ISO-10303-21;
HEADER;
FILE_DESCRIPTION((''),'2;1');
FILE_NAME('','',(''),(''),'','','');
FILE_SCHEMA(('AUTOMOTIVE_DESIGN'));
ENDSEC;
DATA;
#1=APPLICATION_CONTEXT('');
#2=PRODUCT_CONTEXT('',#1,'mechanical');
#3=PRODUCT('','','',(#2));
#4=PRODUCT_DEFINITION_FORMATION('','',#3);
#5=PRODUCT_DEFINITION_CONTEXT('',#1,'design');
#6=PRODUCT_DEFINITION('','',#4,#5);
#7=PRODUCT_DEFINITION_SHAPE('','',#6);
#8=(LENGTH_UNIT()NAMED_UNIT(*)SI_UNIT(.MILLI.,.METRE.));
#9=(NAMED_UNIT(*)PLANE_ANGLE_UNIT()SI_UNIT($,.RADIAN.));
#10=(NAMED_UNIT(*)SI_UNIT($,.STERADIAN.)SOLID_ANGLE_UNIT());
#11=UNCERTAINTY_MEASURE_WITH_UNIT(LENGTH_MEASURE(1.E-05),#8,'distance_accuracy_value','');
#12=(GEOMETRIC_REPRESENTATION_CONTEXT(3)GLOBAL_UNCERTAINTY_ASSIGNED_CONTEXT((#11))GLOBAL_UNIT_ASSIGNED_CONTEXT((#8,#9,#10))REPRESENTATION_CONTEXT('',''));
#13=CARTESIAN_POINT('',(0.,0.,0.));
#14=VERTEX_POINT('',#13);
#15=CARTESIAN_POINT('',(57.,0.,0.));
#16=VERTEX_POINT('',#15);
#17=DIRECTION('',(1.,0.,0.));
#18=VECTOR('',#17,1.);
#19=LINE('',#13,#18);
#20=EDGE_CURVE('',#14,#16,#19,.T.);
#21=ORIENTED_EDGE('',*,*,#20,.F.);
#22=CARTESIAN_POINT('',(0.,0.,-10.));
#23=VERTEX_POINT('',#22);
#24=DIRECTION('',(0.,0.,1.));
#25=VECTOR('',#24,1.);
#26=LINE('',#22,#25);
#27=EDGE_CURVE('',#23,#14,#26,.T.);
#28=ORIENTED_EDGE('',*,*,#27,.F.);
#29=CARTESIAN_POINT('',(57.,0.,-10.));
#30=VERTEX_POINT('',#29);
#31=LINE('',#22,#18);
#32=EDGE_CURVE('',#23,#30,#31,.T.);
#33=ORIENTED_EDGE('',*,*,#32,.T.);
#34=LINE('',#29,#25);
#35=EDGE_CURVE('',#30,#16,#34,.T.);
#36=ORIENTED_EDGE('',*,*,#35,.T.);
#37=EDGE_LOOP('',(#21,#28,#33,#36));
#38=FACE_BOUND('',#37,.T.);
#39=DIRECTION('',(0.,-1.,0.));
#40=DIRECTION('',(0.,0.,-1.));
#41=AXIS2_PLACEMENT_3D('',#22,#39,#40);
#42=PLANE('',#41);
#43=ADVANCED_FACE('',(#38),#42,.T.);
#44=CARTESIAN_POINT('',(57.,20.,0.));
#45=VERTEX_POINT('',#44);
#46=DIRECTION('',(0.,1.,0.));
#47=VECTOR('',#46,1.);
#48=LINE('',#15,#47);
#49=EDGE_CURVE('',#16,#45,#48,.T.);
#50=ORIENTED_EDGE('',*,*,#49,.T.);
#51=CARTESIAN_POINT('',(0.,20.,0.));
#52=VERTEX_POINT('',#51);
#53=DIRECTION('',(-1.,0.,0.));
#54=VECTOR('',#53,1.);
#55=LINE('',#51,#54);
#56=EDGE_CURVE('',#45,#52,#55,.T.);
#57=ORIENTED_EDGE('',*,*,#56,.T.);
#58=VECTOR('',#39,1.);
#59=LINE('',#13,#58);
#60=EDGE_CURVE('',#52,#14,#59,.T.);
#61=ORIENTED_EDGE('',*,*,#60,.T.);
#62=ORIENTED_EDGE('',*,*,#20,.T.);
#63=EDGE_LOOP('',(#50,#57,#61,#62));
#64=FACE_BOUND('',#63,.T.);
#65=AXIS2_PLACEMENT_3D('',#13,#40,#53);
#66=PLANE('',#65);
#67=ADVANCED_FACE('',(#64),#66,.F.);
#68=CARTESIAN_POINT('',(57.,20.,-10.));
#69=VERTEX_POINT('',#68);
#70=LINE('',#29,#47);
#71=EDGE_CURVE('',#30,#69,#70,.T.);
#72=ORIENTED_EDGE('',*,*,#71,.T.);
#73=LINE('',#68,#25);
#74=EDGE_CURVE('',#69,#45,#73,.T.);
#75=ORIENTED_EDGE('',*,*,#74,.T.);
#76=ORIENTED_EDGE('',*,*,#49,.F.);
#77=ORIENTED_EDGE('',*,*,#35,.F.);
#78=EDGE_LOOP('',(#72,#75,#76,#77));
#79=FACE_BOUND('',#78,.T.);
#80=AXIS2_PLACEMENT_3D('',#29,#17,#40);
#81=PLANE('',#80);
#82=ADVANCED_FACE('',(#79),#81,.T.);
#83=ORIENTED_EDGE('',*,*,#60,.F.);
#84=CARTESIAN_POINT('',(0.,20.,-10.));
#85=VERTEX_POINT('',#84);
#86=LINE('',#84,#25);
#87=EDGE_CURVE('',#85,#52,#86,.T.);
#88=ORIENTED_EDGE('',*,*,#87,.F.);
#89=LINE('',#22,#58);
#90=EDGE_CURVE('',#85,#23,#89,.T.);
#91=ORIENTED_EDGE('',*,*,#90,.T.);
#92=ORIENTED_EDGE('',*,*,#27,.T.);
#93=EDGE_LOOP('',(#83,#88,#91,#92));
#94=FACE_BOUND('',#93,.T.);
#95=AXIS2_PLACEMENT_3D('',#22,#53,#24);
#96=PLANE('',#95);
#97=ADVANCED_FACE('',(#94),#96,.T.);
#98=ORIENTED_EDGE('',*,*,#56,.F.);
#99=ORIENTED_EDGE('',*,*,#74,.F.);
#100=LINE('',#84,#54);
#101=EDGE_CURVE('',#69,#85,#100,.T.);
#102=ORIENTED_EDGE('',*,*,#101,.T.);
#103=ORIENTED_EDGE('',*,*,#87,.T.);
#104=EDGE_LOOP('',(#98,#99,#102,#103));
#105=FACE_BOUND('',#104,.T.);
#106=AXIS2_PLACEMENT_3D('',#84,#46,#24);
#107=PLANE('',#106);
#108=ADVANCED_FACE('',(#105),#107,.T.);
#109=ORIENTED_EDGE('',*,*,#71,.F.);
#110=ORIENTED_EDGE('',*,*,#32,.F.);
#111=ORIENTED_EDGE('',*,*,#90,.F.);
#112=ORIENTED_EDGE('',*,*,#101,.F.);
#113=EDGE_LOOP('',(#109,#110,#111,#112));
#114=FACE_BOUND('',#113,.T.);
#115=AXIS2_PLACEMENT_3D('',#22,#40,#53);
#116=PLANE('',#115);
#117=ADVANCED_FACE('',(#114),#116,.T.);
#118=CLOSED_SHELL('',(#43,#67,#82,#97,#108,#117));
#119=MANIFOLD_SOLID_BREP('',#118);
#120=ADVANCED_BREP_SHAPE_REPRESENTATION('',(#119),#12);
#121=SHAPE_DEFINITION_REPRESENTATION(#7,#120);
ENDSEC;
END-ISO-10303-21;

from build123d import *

# Parameters (mm, degrees)
SKETCH1_W           = 57
SKETCH1_H           = 20
BOSS_EXTRUDE1_DEPTH = 10


with BuildPart() as part:
    # Sketch1 → Boss-Extrude1 (new body)
    with BuildSketch(Plane.XY):
        with Locations((28.5, 10)):
            Rectangle(SKETCH1_W, SKETCH1_H)
    extrude(amount=-BOSS_EXTRUDE1_DEPTH)


solid = part.part
